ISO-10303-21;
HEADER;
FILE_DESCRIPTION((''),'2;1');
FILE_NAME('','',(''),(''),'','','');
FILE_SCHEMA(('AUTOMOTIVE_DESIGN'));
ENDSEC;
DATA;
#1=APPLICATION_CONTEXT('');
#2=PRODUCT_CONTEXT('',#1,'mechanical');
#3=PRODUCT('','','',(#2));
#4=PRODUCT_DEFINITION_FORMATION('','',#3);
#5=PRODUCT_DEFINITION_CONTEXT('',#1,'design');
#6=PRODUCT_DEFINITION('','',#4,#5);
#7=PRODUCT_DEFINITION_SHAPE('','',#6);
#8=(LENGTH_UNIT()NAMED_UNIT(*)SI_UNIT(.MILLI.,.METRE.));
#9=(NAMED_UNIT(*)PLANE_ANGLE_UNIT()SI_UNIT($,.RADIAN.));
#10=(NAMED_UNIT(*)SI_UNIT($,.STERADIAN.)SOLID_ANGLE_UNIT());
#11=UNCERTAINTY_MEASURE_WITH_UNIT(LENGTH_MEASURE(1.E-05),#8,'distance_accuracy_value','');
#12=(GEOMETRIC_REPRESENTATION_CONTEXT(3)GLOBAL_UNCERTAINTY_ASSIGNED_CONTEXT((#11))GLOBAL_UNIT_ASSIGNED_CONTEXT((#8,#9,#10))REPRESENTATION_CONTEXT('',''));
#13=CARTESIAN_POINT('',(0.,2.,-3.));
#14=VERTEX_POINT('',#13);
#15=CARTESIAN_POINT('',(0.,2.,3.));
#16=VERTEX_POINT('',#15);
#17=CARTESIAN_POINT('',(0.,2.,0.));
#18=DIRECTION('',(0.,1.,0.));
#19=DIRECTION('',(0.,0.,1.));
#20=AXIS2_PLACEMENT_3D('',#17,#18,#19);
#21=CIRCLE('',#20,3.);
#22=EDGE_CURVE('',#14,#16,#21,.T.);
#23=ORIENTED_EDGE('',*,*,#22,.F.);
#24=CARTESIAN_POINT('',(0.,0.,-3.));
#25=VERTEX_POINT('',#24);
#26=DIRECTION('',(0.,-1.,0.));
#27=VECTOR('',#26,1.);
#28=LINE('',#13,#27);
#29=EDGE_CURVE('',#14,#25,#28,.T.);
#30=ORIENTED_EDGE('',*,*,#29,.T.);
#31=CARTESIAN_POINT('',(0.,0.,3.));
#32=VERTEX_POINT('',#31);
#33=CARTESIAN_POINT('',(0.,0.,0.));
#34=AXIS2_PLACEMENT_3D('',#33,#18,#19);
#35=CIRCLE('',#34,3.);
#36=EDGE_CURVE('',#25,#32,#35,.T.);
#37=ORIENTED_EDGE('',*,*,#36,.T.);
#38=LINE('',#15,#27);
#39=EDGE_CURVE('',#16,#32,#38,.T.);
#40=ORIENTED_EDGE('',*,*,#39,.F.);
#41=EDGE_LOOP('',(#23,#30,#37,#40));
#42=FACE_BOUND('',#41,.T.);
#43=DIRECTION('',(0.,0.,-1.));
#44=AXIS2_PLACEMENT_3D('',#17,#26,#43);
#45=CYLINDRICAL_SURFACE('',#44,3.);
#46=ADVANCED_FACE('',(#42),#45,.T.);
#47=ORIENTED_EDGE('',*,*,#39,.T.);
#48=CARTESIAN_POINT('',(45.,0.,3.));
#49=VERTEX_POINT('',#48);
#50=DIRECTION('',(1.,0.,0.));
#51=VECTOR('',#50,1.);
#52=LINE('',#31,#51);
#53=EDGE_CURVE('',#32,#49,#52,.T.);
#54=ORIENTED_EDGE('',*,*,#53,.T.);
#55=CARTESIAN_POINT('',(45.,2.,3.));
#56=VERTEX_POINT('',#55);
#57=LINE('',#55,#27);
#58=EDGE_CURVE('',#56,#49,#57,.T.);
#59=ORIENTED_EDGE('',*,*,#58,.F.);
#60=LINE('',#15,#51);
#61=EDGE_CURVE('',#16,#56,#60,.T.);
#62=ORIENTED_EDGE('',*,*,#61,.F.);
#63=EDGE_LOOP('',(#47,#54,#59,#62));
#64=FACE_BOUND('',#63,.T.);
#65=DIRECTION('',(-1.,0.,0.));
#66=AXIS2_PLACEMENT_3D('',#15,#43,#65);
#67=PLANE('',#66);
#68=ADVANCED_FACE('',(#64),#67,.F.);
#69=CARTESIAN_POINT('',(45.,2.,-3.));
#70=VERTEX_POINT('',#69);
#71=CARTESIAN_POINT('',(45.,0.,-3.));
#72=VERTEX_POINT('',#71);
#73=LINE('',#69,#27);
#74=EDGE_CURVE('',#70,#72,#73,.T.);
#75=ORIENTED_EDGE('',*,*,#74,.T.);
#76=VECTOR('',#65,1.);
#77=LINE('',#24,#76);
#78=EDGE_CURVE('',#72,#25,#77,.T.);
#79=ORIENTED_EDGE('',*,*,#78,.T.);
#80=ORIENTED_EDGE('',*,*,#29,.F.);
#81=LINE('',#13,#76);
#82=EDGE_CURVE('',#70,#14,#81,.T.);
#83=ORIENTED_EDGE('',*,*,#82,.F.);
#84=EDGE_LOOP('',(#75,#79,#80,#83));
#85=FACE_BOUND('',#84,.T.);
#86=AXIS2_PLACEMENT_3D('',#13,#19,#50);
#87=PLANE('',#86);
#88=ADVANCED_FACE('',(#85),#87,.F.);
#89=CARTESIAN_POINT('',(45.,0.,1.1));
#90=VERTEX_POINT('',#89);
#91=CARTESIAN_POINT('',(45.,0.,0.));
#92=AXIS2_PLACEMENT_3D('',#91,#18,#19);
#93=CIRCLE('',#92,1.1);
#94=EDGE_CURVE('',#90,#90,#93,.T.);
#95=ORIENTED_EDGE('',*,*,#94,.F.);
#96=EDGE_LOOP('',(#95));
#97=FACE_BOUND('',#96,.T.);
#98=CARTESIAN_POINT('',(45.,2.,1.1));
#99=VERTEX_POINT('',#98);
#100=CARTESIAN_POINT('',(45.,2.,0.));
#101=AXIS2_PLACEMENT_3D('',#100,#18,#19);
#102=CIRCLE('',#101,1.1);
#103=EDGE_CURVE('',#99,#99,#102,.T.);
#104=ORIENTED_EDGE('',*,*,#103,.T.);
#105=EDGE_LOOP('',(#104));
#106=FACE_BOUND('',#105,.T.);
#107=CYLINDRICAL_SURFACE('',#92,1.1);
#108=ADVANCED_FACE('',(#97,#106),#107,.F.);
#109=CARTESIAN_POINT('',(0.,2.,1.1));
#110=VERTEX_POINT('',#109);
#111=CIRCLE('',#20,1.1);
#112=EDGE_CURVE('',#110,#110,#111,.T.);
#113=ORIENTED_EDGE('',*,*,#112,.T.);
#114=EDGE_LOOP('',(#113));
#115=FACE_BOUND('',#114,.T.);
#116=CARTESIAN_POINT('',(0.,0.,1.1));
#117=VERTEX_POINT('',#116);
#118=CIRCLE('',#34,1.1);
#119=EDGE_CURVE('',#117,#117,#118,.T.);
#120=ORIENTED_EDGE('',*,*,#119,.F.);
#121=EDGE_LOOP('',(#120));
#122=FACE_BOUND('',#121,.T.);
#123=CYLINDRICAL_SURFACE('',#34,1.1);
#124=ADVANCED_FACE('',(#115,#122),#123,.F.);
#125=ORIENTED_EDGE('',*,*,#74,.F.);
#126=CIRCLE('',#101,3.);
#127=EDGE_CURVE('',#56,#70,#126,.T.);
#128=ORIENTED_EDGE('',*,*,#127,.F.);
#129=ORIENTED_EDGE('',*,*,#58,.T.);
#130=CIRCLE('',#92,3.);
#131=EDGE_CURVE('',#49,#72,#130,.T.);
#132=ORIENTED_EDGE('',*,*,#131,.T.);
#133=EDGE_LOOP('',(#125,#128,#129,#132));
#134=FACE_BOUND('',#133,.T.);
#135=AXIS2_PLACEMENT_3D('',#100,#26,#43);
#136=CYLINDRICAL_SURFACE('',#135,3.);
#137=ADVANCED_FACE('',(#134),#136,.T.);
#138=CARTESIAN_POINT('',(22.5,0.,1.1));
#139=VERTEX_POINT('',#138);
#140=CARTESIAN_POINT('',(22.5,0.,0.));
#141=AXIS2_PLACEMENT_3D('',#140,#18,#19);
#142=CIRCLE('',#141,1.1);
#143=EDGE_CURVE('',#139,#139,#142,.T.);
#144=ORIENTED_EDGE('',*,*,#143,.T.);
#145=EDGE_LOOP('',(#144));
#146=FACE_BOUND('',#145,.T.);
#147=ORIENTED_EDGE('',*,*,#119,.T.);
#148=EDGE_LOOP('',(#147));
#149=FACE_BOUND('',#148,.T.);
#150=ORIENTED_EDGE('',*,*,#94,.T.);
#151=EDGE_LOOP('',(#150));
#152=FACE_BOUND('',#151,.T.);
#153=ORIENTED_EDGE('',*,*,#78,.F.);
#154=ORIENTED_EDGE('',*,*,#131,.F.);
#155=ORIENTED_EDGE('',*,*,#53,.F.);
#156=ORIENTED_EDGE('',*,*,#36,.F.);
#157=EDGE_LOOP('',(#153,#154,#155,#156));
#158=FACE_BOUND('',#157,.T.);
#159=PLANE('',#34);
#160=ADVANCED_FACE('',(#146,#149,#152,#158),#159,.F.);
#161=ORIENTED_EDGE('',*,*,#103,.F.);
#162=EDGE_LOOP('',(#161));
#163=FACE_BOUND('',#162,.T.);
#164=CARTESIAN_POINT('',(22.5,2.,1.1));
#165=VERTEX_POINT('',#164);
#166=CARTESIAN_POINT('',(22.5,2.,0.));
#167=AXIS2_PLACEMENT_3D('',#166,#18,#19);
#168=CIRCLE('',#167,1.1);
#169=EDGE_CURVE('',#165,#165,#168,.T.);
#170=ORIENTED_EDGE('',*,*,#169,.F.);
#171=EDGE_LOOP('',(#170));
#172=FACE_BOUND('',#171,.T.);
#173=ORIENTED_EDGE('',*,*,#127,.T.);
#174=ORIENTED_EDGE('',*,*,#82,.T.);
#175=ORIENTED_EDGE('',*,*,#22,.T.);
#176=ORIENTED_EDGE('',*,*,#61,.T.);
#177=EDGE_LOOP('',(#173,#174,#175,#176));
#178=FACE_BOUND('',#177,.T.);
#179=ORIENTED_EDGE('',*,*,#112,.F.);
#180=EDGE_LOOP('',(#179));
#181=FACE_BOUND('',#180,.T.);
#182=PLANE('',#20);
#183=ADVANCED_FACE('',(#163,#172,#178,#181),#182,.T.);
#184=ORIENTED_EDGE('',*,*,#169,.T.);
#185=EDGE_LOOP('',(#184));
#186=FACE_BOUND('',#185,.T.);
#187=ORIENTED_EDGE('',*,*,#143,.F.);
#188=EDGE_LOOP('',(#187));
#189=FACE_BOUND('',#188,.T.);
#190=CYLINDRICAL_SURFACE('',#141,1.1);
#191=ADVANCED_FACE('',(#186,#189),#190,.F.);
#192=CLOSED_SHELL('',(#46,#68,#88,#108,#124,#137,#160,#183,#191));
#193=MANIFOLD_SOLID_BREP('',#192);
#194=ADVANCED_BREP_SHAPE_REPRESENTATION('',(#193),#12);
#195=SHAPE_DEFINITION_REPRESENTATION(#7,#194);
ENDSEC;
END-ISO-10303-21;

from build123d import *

# Parameters (mm, degrees)
EXTRUDE_1_DEPTH     = 2
SKETCH_2_R          = 1.1
CUT_EXTRUDE_1_DEPTH = 49.135226186


with BuildPart() as part:
    # ｽｹｯﾁ1 → ﾎﾞｽ - 押し出し1 (new body)
    with BuildSketch(Plane(origin=(0, 0, 0), x_dir=(1, 0, 0), z_dir=(0, 1, 0))):
        with BuildLine():
            Line((0, 3), (45, 3))
            ThreePointArc((45, 3), (48, 0), (45, -3))
            Line((45, -3), (0, -3))
            ThreePointArc((0, -3), (-3, 0), (0, 3))
        make_face()
    extrude(amount=EXTRUDE_1_DEPTH)

    # ｽｹｯﾁ2 → ｶｯﾄ - 押し出し1 (cut, through all)
    with BuildSketch(Plane(origin=(0, 2, 0), x_dir=(1, 0, 0), z_dir=(0, 1, 0))):
        with Locations(Location((0, 0, 0), (0, 0, 270))):
            Circle(SKETCH_2_R)
        with Locations(Location((45, 0, 0), (0, 0, 270))):
            Circle(SKETCH_2_R)
        with Locations(Location((22.5, 0, 0), (0, 0, 270))):
            Circle(SKETCH_2_R)
    extrude(amount=-CUT_EXTRUDE_1_DEPTH, mode=Mode.SUBTRACT)


solid = part.part
